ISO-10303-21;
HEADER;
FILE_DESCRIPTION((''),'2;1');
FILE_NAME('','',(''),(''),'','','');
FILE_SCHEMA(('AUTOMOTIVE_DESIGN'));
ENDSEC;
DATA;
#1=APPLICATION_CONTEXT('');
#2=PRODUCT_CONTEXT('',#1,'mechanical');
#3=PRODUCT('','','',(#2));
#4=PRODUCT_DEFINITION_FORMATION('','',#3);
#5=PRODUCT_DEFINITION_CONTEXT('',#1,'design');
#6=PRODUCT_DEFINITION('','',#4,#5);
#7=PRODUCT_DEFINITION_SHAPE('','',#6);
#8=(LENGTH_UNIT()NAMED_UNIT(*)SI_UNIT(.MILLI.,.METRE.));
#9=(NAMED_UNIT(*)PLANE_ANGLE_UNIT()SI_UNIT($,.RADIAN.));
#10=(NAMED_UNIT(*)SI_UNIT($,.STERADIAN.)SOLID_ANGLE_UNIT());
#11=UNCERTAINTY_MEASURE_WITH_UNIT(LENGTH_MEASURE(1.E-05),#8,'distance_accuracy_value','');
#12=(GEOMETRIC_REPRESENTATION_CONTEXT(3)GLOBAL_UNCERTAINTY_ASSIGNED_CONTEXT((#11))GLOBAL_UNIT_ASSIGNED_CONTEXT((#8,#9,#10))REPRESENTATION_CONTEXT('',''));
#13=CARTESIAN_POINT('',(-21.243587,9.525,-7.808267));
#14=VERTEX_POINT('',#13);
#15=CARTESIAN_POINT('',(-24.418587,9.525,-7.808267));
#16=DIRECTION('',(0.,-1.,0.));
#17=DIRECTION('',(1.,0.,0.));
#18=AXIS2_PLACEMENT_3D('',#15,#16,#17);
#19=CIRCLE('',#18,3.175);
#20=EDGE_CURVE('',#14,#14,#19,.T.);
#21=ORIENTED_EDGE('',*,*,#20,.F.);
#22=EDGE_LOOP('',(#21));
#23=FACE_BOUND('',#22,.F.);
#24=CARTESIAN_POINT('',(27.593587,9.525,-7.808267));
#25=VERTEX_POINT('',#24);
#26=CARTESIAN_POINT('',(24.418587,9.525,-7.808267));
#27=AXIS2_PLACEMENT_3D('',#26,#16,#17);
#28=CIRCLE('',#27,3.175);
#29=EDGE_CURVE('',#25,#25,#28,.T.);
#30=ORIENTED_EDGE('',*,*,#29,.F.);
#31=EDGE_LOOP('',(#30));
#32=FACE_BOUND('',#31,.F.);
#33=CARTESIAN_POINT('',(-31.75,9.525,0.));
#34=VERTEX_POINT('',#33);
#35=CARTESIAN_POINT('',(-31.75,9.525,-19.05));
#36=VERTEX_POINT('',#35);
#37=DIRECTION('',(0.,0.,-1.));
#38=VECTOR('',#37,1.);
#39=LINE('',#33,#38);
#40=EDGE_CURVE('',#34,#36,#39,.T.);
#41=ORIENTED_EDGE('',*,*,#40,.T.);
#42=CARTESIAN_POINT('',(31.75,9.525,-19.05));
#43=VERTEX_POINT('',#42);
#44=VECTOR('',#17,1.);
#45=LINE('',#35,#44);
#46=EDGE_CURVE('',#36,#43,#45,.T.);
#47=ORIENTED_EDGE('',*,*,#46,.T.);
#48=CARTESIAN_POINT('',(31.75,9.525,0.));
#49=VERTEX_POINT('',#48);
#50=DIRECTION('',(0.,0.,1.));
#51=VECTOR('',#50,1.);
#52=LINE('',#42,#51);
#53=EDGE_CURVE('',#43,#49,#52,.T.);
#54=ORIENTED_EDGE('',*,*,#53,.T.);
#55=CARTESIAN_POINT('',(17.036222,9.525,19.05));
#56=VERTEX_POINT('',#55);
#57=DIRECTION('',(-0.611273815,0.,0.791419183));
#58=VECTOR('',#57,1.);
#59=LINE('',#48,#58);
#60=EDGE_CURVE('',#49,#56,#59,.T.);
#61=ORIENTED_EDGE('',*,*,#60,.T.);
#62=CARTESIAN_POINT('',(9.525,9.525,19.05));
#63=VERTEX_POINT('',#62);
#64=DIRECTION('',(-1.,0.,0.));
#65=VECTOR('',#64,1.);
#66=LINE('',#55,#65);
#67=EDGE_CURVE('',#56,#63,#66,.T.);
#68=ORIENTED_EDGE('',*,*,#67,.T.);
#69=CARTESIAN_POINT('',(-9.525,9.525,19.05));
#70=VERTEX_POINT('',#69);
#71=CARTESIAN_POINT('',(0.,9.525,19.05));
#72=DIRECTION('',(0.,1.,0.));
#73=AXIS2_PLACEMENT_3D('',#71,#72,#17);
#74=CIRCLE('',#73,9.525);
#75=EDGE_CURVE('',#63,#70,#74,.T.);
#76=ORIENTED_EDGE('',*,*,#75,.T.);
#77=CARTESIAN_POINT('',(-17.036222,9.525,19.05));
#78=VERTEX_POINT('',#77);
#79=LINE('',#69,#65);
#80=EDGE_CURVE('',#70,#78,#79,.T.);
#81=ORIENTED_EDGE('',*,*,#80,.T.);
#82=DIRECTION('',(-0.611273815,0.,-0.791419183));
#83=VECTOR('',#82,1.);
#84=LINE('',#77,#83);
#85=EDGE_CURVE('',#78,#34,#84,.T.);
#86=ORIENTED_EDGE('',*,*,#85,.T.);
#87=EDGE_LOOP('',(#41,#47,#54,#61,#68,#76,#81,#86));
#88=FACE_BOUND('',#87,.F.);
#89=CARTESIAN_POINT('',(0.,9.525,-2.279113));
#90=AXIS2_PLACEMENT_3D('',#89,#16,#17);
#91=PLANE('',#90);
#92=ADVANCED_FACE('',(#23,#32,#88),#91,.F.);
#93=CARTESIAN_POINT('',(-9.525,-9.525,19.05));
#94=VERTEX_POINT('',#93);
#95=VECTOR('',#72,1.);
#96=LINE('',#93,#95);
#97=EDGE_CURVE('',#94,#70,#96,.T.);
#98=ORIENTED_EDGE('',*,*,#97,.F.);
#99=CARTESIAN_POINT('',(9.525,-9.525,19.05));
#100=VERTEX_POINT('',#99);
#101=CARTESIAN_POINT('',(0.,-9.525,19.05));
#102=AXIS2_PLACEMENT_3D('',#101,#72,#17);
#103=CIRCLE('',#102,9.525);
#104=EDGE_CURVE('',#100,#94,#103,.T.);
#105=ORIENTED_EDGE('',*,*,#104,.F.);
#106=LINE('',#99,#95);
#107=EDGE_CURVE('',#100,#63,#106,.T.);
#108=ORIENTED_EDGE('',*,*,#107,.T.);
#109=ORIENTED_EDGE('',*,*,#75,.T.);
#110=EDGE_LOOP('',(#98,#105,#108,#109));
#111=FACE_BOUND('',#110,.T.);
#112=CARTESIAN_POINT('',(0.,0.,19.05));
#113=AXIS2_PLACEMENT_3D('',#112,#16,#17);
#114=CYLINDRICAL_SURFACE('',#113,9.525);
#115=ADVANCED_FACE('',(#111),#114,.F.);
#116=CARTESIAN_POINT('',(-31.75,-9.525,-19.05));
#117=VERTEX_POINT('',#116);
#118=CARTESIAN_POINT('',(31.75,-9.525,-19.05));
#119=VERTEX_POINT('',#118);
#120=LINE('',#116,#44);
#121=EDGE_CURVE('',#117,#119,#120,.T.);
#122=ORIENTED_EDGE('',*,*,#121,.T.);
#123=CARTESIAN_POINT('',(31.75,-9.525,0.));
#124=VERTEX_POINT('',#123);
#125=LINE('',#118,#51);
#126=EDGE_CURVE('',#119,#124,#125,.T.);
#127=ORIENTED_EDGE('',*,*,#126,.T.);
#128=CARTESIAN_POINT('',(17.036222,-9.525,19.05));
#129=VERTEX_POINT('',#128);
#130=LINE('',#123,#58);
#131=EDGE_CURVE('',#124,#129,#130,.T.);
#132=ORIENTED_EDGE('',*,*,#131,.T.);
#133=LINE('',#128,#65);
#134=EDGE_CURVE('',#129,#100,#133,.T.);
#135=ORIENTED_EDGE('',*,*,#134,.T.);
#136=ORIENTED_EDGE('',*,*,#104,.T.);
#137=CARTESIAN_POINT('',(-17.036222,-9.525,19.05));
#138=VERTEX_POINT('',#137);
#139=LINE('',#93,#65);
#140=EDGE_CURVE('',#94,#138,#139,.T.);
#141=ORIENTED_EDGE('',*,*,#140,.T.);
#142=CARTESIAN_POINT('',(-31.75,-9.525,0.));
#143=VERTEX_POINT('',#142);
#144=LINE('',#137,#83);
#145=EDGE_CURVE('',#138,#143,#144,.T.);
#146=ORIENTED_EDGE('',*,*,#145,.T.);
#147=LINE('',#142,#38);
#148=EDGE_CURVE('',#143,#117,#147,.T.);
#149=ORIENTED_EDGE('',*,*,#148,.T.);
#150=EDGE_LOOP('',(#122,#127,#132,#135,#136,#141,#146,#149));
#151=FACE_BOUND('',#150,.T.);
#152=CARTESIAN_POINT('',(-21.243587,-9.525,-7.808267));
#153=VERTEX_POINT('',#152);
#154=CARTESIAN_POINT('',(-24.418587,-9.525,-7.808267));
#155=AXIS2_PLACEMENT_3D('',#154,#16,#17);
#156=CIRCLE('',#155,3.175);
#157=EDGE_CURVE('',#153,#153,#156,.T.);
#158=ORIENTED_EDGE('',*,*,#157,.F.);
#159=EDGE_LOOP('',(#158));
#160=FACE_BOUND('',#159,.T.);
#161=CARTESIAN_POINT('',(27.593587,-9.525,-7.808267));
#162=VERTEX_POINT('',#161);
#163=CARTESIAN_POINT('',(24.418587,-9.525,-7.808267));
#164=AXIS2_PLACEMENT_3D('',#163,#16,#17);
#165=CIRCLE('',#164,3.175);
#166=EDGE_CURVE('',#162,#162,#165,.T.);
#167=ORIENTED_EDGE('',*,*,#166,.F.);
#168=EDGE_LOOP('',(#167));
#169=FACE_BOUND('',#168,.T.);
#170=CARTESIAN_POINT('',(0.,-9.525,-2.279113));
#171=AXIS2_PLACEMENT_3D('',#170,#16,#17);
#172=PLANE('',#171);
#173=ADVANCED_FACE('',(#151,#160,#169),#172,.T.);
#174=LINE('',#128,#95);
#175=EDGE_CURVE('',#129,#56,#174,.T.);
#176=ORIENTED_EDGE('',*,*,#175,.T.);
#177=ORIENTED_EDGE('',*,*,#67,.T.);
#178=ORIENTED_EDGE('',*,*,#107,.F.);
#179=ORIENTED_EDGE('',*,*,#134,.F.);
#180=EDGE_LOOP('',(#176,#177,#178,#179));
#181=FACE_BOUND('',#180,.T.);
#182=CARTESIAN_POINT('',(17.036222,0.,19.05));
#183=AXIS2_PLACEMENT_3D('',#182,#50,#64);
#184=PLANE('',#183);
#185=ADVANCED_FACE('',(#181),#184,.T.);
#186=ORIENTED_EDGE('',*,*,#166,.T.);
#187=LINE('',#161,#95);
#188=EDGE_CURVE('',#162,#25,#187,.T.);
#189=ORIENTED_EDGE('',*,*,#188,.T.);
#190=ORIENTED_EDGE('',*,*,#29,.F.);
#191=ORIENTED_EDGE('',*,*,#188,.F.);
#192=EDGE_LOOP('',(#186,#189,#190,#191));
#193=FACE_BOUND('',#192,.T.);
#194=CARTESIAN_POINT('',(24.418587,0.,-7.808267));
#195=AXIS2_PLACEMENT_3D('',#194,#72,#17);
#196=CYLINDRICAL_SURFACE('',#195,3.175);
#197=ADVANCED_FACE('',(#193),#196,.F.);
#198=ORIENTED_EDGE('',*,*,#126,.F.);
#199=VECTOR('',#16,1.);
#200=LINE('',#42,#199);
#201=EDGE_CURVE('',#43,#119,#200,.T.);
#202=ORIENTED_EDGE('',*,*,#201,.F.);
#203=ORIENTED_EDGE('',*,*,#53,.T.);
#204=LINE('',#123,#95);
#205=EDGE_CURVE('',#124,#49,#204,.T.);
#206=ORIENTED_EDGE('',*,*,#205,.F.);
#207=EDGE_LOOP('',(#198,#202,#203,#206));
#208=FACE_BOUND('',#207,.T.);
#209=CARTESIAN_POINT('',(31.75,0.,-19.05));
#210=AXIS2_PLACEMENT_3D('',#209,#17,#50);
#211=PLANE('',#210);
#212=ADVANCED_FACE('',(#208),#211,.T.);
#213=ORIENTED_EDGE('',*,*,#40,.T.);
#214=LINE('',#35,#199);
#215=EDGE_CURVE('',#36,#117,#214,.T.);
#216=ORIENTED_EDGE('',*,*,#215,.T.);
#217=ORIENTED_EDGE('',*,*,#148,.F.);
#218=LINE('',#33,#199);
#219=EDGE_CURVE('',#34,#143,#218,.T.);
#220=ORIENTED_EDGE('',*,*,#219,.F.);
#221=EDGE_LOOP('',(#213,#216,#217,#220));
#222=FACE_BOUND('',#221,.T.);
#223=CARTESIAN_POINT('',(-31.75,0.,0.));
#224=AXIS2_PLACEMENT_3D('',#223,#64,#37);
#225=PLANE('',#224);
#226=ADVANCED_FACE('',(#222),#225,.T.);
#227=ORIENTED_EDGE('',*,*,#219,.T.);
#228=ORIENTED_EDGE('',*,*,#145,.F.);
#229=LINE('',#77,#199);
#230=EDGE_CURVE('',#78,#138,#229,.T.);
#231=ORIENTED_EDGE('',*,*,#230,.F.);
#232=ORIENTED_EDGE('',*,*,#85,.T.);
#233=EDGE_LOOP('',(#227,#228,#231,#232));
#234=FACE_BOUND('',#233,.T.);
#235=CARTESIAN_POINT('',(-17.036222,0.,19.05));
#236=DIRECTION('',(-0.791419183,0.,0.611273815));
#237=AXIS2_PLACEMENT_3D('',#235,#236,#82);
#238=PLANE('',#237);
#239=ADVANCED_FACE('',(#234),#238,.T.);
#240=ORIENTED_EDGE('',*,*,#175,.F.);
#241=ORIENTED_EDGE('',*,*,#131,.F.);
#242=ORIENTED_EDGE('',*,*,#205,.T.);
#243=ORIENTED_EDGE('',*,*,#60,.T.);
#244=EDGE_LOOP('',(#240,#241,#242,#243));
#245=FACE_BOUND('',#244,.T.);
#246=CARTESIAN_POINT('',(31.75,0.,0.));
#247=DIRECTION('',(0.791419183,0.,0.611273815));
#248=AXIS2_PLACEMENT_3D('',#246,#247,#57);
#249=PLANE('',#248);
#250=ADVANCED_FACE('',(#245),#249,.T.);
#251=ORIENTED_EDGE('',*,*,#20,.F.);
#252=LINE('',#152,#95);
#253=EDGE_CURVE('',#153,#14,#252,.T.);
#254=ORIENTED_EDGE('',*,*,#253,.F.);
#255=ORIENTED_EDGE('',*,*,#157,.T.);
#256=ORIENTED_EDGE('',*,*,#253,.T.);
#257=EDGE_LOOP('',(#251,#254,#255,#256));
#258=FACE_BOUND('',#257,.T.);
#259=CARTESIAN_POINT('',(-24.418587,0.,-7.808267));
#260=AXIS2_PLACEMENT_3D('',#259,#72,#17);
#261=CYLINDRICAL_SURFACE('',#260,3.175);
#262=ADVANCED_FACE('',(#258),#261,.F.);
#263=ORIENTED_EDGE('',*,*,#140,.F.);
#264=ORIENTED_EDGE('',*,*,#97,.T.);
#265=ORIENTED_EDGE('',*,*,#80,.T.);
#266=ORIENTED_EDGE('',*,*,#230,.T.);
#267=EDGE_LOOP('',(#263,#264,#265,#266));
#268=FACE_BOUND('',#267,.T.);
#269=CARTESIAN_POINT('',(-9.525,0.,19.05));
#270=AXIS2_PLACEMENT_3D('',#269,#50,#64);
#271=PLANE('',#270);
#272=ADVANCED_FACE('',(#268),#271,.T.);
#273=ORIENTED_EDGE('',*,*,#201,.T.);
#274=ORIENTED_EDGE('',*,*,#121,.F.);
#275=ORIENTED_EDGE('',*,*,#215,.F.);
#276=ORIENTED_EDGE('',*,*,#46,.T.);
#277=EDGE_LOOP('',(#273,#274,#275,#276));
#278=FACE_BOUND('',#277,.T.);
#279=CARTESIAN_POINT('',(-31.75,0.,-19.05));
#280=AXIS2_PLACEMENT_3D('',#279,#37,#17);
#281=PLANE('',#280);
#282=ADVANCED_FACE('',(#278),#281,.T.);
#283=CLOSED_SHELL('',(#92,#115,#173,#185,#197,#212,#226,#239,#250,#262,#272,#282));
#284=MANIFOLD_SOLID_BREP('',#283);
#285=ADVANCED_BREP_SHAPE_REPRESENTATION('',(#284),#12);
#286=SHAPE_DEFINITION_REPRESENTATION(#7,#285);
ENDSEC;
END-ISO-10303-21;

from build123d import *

# Parameters (mm, degrees)
F0_R     = 3.175
F1_DEPTH = 9.525


with BuildPart() as f1:
    # F0 (on Front) → F1 (new body, symmetric)
    with BuildSketch(Plane.XZ):
        with BuildLine():
            Line((-9.525, 19.05), (-17.036222, 19.05))
            Line((-17.036222, 19.05), (-31.75, 0))
            Line((-31.75, 0), (-31.75, -19.05))
            Line((-31.75, -19.05), (31.75, -19.05))
            Line((31.75, -19.05), (31.75, 0))
            Line((31.75, 0), (17.036222, 19.05))
            Line((17.036222, 19.05), (9.525, 19.05))
            ThreePointArc((9.525, 19.05), (0, 9.525), (-9.525, 19.05))
        make_face()
        with Locations((-24.418587, -7.808267)):
            Circle(F0_R, mode=Mode.SUBTRACT)
        with Locations((24.418587, -7.808267)):
            Circle(F0_R, mode=Mode.SUBTRACT)
    extrude(amount=F1_DEPTH, both=True)


with BuildPart() as f2_1:
    # F2: copy of F1
    add(f1.part)


solid = f1.part
